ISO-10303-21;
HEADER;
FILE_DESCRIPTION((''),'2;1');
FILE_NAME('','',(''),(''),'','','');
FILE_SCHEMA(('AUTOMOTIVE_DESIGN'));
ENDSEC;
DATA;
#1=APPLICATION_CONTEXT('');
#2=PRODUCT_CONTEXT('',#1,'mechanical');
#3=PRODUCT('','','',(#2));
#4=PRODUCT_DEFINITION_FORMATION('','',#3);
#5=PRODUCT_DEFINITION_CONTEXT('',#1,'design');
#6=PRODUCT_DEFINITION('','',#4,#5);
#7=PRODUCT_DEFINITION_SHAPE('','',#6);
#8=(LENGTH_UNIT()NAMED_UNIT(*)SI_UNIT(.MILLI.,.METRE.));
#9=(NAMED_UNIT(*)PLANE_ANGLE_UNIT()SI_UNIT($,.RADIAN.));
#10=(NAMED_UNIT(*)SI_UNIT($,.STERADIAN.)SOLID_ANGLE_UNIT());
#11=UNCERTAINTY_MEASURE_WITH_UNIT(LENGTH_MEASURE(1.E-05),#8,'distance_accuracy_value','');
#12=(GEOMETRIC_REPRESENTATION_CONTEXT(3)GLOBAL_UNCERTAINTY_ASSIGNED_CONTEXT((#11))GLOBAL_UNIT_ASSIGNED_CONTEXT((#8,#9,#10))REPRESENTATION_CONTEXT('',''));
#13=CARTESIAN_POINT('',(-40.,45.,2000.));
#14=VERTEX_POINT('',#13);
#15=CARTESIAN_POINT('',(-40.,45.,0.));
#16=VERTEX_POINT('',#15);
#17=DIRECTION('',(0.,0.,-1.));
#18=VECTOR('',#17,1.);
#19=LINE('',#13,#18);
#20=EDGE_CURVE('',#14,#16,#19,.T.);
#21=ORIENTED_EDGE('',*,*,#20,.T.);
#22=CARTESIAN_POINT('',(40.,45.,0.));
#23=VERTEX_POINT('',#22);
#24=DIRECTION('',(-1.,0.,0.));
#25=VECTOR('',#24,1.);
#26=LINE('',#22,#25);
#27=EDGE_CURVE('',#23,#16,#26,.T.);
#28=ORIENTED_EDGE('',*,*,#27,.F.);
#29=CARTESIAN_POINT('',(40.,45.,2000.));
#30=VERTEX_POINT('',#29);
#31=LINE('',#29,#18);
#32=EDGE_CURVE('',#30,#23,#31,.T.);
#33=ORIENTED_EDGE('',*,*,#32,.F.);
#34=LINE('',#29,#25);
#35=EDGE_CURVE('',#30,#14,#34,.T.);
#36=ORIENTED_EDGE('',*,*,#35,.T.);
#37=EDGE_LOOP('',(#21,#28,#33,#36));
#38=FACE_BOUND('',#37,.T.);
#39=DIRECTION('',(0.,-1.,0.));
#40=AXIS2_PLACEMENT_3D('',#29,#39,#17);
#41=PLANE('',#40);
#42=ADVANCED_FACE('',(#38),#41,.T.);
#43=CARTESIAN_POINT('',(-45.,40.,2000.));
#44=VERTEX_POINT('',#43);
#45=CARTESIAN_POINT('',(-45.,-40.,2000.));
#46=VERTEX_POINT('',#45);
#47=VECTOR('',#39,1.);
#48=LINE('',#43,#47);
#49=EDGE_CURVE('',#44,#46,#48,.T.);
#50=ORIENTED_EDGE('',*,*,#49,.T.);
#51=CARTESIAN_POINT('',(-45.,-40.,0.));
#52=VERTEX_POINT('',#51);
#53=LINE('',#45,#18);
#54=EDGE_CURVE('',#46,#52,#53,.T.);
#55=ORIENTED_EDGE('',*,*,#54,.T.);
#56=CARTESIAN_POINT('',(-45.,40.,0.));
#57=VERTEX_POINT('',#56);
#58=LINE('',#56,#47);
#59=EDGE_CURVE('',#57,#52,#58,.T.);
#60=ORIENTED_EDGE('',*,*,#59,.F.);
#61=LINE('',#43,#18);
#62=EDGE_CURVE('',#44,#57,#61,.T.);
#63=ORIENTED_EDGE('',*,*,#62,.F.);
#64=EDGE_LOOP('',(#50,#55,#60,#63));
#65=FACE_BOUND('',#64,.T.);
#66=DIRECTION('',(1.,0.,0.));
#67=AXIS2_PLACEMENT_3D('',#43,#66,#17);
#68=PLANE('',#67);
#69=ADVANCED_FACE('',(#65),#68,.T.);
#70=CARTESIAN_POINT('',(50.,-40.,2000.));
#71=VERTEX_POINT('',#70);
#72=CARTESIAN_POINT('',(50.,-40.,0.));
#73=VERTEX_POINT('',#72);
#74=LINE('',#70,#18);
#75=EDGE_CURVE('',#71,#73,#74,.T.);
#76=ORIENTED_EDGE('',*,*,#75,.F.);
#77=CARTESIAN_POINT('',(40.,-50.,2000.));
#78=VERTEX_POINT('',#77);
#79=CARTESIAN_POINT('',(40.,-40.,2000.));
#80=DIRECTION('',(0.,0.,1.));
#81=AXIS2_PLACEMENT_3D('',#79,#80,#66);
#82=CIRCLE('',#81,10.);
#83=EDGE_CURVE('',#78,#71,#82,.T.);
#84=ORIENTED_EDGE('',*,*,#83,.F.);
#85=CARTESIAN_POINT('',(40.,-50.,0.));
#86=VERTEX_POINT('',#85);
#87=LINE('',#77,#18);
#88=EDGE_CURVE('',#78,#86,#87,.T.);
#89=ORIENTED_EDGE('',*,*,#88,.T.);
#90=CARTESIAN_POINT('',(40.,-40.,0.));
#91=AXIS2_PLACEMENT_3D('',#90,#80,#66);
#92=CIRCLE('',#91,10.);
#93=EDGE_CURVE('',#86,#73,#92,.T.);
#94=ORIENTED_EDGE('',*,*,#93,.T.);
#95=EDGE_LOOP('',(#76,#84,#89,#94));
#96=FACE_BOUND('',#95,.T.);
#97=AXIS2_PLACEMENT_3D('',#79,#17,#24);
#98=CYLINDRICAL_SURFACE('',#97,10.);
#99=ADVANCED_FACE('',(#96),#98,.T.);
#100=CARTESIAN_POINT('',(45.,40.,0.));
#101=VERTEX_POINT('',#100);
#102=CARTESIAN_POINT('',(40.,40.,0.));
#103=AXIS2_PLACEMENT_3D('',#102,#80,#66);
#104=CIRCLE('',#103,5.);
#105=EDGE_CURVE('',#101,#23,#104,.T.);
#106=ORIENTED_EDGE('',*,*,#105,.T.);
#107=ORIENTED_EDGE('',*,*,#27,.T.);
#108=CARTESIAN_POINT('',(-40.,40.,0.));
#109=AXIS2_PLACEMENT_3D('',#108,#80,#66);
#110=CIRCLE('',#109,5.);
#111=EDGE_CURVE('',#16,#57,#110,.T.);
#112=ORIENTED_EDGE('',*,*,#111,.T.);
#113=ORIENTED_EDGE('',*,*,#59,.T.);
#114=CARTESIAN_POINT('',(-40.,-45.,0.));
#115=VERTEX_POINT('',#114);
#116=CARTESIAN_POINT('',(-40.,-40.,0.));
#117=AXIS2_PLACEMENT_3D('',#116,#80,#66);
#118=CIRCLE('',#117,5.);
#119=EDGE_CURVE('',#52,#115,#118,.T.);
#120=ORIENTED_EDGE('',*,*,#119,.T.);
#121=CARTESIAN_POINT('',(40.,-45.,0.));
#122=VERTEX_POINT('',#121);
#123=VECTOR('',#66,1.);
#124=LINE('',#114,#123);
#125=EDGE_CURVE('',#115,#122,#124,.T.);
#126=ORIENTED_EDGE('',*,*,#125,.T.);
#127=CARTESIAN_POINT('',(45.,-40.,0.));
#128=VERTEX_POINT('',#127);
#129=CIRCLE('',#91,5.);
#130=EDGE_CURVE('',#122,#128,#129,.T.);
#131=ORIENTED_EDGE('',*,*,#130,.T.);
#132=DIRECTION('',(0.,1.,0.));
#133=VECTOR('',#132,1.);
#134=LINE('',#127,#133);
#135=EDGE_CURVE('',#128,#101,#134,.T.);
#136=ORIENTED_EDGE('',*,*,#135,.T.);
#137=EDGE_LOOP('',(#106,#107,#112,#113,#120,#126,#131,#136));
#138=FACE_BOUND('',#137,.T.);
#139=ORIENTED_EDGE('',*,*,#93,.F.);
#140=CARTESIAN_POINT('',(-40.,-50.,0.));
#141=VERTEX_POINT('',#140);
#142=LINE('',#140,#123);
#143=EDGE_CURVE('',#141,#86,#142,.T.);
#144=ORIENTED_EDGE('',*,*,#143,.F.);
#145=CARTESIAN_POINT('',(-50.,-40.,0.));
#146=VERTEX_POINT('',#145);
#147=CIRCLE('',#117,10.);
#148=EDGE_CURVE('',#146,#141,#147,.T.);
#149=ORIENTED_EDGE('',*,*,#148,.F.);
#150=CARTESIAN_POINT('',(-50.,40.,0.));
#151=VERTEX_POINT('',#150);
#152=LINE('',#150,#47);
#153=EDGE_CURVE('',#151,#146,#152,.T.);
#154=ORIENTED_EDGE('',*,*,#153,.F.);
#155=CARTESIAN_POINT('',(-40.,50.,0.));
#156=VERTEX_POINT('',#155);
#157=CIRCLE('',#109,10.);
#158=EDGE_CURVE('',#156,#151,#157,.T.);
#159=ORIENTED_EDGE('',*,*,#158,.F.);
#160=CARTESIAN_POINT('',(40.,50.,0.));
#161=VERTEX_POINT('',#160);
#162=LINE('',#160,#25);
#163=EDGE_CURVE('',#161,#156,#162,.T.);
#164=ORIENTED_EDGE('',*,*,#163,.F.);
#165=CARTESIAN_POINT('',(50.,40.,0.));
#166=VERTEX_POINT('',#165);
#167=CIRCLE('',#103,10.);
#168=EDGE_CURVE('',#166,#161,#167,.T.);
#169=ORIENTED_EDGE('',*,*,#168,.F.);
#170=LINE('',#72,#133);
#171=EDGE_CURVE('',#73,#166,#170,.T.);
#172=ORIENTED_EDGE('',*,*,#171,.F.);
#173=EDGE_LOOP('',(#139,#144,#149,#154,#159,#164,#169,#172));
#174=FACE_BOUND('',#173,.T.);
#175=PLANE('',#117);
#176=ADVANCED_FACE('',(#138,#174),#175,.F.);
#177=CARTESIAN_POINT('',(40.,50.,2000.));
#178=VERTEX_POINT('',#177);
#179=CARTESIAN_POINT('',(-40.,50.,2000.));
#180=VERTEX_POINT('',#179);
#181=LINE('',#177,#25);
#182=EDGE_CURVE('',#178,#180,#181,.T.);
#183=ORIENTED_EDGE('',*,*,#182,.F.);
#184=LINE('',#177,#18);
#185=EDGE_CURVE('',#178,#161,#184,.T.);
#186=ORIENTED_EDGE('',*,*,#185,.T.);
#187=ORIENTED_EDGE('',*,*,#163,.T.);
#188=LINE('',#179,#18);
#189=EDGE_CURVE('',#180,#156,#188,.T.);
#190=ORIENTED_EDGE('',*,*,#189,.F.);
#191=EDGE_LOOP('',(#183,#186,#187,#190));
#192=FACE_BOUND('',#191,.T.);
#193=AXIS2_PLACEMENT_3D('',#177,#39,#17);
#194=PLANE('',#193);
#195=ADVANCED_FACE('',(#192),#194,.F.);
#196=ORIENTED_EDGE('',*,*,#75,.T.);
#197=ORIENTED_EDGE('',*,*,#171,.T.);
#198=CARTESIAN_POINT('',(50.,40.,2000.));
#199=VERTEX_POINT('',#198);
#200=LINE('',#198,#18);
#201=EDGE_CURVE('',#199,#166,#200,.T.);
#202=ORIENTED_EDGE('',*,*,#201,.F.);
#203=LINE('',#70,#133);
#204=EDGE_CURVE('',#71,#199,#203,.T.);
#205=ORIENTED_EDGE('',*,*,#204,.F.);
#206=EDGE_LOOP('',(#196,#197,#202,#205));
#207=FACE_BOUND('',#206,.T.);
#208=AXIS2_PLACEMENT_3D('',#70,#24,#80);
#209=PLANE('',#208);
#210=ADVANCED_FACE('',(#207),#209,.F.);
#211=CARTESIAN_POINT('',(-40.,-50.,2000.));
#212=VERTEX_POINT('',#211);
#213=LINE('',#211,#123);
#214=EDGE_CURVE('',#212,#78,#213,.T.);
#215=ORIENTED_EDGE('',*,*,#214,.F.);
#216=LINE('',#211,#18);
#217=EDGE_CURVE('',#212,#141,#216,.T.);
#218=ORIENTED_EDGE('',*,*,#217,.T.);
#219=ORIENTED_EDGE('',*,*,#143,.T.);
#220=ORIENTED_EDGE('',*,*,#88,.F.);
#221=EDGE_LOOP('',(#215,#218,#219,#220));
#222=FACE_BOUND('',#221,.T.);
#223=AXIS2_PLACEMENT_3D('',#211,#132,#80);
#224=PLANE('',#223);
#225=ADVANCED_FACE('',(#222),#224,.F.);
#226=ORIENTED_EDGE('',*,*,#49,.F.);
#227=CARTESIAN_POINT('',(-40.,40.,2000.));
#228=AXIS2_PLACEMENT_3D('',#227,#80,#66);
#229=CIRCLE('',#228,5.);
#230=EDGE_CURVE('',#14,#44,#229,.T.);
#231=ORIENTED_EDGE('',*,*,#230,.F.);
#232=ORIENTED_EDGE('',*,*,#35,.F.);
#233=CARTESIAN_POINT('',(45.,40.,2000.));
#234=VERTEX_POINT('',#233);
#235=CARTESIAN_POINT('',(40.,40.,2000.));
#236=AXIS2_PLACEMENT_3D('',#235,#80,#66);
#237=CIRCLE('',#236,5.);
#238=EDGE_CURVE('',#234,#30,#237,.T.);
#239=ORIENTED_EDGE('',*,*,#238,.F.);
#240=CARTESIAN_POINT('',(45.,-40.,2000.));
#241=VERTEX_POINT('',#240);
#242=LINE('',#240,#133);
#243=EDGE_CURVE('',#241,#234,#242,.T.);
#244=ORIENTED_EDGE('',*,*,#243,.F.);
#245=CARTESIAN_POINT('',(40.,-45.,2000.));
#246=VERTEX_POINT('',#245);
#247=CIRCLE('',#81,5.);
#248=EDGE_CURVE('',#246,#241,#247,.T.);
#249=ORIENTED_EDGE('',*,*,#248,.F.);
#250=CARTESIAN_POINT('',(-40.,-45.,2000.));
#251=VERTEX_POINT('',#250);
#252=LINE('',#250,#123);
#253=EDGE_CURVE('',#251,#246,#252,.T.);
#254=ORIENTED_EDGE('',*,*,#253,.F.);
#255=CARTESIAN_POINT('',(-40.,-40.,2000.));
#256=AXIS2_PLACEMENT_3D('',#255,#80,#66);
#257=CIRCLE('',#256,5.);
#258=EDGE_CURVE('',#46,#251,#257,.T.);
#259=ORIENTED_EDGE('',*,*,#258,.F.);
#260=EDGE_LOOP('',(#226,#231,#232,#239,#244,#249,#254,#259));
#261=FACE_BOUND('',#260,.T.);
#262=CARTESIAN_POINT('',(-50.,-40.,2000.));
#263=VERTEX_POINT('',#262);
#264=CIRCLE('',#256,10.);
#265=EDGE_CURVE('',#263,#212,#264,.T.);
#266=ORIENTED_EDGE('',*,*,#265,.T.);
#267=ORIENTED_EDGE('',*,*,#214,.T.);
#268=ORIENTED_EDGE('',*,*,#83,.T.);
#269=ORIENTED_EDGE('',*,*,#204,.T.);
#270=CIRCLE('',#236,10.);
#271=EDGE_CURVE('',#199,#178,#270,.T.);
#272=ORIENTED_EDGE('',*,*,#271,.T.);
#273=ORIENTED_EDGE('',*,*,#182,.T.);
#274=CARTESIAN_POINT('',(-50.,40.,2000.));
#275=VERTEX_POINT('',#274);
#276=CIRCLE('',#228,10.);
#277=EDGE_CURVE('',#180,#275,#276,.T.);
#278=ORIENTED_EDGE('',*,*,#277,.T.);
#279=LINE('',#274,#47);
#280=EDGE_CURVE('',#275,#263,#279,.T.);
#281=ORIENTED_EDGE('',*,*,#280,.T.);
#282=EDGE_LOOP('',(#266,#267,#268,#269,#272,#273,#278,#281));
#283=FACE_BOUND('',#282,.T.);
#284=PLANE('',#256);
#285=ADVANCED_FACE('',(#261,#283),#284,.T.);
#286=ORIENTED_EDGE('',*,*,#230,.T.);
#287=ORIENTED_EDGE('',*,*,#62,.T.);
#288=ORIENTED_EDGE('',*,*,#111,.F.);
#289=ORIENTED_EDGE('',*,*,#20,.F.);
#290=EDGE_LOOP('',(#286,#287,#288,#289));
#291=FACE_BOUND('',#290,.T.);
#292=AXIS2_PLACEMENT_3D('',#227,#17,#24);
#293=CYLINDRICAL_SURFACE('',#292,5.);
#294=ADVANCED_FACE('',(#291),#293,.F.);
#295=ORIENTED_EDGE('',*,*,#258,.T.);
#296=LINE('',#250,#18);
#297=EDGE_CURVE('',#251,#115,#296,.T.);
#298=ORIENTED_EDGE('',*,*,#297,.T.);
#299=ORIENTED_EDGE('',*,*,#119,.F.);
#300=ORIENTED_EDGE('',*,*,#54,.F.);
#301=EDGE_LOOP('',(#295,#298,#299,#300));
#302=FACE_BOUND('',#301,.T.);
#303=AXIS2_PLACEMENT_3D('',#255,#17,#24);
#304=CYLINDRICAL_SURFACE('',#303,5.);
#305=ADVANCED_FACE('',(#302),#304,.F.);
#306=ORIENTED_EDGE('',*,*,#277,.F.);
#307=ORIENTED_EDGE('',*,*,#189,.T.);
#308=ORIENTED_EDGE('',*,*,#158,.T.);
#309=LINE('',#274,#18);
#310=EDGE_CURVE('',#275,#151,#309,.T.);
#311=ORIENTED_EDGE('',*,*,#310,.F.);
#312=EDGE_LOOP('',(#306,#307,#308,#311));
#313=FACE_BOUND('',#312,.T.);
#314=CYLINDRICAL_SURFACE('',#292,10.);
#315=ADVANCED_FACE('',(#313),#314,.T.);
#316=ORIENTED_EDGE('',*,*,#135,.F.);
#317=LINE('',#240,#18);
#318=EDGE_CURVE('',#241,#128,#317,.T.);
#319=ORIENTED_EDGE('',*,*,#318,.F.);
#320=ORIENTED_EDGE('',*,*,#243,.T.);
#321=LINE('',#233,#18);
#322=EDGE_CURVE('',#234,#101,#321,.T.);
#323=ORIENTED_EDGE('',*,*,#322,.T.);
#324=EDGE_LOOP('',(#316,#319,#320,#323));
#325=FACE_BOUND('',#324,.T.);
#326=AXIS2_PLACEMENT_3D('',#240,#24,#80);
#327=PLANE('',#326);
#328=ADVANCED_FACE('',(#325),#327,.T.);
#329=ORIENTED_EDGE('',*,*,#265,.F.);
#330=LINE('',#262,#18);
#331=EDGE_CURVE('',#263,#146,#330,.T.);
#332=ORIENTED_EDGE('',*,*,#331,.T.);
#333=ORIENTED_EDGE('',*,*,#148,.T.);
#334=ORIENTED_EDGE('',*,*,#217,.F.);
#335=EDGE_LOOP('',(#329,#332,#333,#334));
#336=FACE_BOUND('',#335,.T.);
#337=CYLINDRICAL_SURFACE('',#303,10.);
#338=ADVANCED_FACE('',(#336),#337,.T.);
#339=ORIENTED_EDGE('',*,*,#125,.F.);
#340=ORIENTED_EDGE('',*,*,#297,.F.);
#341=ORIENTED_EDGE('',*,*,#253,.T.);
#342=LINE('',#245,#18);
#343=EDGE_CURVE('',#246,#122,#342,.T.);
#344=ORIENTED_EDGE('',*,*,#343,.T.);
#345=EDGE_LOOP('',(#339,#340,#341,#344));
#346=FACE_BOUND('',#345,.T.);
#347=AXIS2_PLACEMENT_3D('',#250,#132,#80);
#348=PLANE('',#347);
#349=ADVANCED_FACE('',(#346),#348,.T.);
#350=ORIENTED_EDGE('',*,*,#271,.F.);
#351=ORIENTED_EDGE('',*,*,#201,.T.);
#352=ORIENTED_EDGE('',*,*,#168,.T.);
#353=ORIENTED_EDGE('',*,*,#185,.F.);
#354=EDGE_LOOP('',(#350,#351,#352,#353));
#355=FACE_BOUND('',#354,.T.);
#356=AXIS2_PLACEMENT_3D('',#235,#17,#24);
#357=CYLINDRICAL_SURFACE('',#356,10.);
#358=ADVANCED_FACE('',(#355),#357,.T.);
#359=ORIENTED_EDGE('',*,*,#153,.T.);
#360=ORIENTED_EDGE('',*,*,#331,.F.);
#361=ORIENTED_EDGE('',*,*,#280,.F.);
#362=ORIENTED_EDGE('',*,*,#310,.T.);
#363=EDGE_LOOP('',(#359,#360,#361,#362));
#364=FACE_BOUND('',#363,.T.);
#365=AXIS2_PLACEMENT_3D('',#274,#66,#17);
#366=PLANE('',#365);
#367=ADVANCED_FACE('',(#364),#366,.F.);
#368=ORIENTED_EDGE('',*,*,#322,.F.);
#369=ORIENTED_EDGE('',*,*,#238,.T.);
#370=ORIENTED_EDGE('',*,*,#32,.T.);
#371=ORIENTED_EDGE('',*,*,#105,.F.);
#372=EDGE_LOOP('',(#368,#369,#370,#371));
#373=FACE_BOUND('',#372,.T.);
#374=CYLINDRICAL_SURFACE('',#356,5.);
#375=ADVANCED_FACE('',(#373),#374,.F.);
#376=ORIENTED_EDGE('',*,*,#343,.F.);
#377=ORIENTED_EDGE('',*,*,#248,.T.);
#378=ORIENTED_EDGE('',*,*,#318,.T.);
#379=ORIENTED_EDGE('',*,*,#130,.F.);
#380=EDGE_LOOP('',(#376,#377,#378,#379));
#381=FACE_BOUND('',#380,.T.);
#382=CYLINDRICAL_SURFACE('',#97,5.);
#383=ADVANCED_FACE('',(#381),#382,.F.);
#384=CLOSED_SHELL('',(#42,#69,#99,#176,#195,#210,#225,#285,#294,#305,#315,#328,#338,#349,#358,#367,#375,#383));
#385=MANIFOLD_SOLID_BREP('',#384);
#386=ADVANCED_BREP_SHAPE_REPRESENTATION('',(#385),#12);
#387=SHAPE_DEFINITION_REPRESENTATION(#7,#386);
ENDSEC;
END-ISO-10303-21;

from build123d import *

# Parameters (mm, degrees)
SHS100X100X5_1_DEPTH = 2000


with BuildPart() as part:
    # Sketch11 → SHS100x100x5 (1) (new body)
    with BuildSketch(Plane.XY):
        with BuildLine():
            Line((-40, -50), (40, -50))
            ThreePointArc((40, -50), (47.071067812, -47.071067812), (50, -40))
            Line((50, -40), (50, 40))
            ThreePointArc((50, 40), (47.071067812, 47.071067812), (40, 50))
            Line((40, 50), (-40, 50))
            ThreePointArc((-40, 50), (-47.071067812, 47.071067812), (-50, 40))
            Line((-50, 40), (-50, -40))
            ThreePointArc((-50, -40), (-47.071067812, -47.071067812), (-40, -50))
        make_face()
        with BuildLine():
            Line((-40, -45), (40, -45))
            ThreePointArc((40, -45), (43.535533906, -43.535533906), (45, -40))
            Line((45, -40), (45, 40))
            ThreePointArc((45, 40), (43.535533906, 43.535533906), (40, 45))
            Line((40, 45), (-40, 45))
            ThreePointArc((-40, 45), (-43.535533906, 43.535533906), (-45, 40))
            Line((-45, 40), (-45, -40))
            ThreePointArc((-45, -40), (-43.535533906, -43.535533906), (-40, -45))
        make_face(mode=Mode.SUBTRACT)
    extrude(amount=SHS100X100X5_1_DEPTH)


solid = part.part
